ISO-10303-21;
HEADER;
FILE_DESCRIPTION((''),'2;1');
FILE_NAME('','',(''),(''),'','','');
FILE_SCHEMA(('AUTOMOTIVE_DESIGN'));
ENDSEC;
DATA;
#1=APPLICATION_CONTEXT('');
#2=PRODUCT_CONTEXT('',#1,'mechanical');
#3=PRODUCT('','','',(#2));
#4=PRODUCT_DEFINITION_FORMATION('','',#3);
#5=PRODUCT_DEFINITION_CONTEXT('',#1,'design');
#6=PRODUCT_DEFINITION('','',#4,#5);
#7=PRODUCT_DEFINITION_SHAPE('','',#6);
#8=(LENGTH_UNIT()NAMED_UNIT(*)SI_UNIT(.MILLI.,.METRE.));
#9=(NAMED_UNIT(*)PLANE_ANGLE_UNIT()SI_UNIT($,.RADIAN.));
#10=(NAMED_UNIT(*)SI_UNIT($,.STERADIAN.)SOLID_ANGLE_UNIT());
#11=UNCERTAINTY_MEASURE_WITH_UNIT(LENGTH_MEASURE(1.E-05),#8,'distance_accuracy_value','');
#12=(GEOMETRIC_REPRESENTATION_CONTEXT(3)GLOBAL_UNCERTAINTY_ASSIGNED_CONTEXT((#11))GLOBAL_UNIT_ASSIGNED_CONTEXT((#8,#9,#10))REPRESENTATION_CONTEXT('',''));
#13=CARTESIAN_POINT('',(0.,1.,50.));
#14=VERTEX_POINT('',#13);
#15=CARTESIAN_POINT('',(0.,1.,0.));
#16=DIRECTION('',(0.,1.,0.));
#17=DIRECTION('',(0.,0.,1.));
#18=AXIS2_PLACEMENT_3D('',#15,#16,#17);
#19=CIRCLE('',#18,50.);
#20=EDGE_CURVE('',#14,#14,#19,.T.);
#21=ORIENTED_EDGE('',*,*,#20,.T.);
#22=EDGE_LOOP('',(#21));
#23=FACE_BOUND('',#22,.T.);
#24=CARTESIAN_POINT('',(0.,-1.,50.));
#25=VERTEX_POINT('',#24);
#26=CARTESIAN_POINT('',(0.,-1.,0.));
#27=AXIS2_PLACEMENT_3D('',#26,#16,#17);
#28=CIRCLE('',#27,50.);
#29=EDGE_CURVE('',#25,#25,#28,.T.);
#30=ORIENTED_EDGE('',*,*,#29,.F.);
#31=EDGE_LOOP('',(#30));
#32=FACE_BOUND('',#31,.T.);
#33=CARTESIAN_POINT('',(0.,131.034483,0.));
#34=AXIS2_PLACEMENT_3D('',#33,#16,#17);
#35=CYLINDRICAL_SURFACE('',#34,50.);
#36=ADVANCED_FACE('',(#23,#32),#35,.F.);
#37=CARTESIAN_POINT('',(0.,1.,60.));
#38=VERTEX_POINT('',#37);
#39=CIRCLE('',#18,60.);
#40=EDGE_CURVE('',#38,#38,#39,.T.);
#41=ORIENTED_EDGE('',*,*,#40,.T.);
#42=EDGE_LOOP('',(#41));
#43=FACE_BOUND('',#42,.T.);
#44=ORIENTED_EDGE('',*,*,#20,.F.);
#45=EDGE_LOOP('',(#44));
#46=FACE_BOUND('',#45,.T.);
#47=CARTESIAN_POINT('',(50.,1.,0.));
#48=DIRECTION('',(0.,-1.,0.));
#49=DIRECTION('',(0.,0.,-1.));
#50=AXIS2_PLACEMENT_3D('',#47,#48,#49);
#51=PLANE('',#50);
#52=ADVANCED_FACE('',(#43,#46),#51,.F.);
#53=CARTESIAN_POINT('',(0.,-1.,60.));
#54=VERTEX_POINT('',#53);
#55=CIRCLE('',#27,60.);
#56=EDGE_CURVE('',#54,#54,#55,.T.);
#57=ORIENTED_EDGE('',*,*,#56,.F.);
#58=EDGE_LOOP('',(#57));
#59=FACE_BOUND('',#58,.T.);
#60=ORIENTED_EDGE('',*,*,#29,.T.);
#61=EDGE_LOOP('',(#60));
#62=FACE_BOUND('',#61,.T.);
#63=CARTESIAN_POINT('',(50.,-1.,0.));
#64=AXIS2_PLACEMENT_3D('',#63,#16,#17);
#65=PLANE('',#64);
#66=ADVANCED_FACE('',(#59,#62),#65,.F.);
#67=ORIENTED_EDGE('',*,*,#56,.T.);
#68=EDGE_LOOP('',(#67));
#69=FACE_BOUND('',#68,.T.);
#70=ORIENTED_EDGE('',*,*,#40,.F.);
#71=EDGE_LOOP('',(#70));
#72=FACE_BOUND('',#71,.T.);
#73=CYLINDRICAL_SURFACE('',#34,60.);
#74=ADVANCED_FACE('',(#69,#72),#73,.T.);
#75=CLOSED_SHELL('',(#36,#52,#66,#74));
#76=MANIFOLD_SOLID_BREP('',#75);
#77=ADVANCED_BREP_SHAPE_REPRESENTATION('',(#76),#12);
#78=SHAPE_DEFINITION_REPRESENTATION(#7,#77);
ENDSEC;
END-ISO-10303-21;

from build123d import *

# Parameters (mm, degrees)
SKETCH_1_W = 10
SKETCH_1_H = 2


with BuildPart() as part:
    # Эскиз1 → Повернуть1 (revolve)
    with BuildSketch(Plane.XY):
        with Locations((55, 0)):
            Rectangle(SKETCH_1_W, SKETCH_1_H)
    revolve(axis=Axis((0, 131.034482759, 0), (0, -1, 0)))


solid = part.part
